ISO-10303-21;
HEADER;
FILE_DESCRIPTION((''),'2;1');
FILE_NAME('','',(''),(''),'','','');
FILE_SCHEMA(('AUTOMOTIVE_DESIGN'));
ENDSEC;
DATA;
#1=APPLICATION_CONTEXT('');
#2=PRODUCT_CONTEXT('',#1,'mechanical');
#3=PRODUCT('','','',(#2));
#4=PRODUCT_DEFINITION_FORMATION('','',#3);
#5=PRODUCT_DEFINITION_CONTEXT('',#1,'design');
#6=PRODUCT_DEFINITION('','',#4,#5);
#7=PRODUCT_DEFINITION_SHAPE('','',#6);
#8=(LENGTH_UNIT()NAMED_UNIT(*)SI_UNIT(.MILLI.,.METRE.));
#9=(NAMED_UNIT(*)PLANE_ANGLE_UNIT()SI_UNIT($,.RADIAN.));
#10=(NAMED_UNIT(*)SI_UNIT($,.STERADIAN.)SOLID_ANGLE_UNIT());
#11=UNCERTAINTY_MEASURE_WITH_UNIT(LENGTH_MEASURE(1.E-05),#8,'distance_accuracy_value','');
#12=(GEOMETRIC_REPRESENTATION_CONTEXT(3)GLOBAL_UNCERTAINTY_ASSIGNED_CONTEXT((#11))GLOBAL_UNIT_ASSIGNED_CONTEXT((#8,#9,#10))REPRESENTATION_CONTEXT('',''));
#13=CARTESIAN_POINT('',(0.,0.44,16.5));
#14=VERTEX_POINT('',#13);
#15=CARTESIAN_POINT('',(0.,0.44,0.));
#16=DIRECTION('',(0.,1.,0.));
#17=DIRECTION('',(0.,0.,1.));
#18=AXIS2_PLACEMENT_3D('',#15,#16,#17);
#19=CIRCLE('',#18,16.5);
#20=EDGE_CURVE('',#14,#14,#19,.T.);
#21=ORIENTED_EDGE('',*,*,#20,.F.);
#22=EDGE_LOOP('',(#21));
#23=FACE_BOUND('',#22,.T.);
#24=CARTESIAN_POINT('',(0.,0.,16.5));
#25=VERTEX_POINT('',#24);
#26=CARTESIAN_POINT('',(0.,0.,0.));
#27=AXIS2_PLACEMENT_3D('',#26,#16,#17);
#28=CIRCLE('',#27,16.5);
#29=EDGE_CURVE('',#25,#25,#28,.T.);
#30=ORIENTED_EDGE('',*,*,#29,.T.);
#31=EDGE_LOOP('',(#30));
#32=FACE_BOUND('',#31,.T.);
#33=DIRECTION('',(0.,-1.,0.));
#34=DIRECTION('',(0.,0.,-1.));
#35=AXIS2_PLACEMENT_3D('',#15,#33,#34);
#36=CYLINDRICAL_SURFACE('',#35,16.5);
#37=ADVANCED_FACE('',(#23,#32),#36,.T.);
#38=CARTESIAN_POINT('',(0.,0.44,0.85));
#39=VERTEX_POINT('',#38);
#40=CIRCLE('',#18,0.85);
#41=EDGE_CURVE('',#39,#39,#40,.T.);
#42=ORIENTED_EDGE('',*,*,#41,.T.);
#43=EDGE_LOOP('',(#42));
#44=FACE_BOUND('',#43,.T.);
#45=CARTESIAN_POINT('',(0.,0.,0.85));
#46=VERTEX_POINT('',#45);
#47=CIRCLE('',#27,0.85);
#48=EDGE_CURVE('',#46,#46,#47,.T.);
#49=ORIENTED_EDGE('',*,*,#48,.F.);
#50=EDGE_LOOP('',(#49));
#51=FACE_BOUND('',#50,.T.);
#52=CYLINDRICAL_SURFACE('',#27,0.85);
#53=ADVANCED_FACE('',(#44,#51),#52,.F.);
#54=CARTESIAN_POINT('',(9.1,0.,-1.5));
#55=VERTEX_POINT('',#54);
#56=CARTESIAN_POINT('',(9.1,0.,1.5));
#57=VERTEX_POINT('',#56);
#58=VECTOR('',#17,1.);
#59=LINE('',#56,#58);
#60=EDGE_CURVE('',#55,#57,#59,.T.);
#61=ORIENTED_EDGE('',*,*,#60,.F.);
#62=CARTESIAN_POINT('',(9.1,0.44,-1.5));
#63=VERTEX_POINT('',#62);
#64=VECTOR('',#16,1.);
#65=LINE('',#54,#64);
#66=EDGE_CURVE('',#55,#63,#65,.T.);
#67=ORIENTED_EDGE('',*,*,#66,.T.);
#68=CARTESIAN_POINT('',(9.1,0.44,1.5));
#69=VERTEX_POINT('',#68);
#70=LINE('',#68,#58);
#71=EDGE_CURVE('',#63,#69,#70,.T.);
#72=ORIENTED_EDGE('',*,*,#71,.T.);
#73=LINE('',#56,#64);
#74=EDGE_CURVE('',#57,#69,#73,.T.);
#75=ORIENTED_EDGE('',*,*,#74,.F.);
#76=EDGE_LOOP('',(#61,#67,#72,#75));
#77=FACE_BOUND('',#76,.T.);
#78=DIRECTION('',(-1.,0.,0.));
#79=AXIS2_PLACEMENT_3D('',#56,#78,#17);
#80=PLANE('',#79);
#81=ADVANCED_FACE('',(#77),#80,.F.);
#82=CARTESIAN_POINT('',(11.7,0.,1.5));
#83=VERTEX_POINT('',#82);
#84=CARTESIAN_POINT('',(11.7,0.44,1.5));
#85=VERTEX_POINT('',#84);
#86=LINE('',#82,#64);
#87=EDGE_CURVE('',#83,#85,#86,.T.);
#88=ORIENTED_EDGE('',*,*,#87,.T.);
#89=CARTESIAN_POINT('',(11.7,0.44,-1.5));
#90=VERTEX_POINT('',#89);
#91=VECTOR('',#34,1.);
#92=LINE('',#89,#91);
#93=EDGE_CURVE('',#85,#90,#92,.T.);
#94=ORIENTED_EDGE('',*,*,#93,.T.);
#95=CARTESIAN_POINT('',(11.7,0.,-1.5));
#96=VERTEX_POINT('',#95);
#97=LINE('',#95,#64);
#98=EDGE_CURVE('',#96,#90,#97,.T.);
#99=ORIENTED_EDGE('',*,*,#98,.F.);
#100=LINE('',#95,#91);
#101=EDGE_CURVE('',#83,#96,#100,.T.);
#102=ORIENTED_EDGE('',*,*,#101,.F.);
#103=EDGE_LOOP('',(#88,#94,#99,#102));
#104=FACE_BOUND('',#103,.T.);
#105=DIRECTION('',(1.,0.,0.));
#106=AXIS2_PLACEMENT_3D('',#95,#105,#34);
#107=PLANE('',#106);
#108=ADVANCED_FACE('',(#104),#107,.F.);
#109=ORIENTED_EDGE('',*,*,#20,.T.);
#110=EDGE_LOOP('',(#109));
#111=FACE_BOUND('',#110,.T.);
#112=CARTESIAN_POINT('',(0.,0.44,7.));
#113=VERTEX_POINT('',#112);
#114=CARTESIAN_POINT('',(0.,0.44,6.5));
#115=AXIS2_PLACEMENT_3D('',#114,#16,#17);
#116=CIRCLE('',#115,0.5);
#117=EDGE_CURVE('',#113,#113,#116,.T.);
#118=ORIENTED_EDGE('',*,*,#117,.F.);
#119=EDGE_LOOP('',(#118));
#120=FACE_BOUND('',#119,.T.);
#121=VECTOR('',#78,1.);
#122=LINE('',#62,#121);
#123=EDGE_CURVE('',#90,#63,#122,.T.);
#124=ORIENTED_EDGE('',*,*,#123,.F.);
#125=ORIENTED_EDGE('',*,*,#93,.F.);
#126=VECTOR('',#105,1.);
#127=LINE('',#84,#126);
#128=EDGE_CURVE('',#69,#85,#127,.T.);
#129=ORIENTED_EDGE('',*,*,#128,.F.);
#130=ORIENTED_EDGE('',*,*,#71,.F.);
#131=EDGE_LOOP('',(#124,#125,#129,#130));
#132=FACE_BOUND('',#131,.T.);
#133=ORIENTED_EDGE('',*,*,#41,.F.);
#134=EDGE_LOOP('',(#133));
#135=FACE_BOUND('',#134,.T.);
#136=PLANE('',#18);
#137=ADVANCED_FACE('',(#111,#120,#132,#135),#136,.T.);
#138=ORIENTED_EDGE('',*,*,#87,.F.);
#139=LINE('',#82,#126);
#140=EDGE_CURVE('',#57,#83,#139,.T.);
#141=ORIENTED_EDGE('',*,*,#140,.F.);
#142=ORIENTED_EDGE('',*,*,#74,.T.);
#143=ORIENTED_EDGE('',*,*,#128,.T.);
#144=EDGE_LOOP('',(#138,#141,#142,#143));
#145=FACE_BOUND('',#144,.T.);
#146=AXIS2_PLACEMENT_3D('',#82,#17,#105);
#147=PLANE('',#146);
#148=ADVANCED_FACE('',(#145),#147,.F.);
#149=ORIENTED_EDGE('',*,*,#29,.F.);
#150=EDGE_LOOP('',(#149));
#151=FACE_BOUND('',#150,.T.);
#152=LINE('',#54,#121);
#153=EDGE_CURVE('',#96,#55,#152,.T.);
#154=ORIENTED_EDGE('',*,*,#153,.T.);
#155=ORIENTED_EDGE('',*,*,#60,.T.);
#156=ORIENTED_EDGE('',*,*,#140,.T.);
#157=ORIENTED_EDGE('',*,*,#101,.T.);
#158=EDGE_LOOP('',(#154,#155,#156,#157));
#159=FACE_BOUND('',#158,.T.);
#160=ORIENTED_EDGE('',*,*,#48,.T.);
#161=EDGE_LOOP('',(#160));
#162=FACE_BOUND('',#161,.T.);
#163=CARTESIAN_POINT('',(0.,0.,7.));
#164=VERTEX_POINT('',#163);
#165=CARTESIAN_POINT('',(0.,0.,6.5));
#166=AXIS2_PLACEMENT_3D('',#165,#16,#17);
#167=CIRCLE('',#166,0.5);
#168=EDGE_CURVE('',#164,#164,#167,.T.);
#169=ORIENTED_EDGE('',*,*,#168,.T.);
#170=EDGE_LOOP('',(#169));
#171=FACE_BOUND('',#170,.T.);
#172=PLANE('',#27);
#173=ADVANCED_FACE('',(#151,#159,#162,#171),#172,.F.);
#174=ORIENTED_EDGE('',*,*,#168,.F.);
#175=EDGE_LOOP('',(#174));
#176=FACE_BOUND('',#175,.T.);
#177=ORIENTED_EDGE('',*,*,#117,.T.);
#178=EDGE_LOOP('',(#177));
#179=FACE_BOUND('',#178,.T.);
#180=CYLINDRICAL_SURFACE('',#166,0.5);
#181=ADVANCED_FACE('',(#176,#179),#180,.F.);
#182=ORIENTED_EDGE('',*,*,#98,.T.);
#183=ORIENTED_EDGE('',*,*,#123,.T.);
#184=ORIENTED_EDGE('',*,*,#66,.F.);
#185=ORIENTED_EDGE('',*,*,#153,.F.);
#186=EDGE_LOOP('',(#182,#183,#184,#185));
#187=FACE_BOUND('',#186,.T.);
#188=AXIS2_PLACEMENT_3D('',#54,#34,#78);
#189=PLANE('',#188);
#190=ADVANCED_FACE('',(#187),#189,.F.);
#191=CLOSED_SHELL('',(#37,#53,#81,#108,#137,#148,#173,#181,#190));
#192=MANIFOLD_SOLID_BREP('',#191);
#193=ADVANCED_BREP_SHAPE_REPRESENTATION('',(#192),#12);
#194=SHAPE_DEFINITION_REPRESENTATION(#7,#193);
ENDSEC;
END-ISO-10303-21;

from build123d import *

# Parameters (mm, degrees)
SKETCH1_R           = 16.5
BOSS_EXTRUDE1_DEPTH = 0.44
SKETCH2_R           = 0.85
CUT_EXTRUDE1_DEPTH  = 0.44
SKETCH3_R           = 0.5
SKETCH3_W           = 2.6
SKETCH3_H           = 3
CUT_EXTRUDE4_DEPTH  = 0.44


with BuildPart() as part:
    # Sketch1 → Boss-Extrude1 (new body)
    with BuildSketch(Plane(origin=(0, 0, 0), x_dir=(1, 0, 0), z_dir=(0, 1, 0))):
        with Locations(Location((0, 0, 0), (0, 0, 270))):
            Circle(SKETCH1_R)
    extrude(amount=BOSS_EXTRUDE1_DEPTH)

    # Sketch2 → Cut-Extrude1 (cut)
    with BuildSketch(Plane(origin=(0, 0.44, 0), x_dir=(1, 0, 0), z_dir=(0, 1, 0))):
        with Locations(Location((0, 0, 0), (0, 0, 270))):
            Circle(SKETCH2_R)
    extrude(amount=-CUT_EXTRUDE1_DEPTH, mode=Mode.SUBTRACT)

    # Sketch3 → Cut-Extrude4 (cut)
    with BuildSketch(Plane(origin=(0, 0.44, 0), x_dir=(1, 0, 0), z_dir=(0, 1, 0))):
        with Locations(Location((0, -6.5, 0), (0, 0, 270))):
            Circle(SKETCH3_R)
        with Locations((10.4, 0)):
            Rectangle(SKETCH3_W, SKETCH3_H)
    extrude(amount=-CUT_EXTRUDE4_DEPTH, mode=Mode.SUBTRACT)


solid = part.part
